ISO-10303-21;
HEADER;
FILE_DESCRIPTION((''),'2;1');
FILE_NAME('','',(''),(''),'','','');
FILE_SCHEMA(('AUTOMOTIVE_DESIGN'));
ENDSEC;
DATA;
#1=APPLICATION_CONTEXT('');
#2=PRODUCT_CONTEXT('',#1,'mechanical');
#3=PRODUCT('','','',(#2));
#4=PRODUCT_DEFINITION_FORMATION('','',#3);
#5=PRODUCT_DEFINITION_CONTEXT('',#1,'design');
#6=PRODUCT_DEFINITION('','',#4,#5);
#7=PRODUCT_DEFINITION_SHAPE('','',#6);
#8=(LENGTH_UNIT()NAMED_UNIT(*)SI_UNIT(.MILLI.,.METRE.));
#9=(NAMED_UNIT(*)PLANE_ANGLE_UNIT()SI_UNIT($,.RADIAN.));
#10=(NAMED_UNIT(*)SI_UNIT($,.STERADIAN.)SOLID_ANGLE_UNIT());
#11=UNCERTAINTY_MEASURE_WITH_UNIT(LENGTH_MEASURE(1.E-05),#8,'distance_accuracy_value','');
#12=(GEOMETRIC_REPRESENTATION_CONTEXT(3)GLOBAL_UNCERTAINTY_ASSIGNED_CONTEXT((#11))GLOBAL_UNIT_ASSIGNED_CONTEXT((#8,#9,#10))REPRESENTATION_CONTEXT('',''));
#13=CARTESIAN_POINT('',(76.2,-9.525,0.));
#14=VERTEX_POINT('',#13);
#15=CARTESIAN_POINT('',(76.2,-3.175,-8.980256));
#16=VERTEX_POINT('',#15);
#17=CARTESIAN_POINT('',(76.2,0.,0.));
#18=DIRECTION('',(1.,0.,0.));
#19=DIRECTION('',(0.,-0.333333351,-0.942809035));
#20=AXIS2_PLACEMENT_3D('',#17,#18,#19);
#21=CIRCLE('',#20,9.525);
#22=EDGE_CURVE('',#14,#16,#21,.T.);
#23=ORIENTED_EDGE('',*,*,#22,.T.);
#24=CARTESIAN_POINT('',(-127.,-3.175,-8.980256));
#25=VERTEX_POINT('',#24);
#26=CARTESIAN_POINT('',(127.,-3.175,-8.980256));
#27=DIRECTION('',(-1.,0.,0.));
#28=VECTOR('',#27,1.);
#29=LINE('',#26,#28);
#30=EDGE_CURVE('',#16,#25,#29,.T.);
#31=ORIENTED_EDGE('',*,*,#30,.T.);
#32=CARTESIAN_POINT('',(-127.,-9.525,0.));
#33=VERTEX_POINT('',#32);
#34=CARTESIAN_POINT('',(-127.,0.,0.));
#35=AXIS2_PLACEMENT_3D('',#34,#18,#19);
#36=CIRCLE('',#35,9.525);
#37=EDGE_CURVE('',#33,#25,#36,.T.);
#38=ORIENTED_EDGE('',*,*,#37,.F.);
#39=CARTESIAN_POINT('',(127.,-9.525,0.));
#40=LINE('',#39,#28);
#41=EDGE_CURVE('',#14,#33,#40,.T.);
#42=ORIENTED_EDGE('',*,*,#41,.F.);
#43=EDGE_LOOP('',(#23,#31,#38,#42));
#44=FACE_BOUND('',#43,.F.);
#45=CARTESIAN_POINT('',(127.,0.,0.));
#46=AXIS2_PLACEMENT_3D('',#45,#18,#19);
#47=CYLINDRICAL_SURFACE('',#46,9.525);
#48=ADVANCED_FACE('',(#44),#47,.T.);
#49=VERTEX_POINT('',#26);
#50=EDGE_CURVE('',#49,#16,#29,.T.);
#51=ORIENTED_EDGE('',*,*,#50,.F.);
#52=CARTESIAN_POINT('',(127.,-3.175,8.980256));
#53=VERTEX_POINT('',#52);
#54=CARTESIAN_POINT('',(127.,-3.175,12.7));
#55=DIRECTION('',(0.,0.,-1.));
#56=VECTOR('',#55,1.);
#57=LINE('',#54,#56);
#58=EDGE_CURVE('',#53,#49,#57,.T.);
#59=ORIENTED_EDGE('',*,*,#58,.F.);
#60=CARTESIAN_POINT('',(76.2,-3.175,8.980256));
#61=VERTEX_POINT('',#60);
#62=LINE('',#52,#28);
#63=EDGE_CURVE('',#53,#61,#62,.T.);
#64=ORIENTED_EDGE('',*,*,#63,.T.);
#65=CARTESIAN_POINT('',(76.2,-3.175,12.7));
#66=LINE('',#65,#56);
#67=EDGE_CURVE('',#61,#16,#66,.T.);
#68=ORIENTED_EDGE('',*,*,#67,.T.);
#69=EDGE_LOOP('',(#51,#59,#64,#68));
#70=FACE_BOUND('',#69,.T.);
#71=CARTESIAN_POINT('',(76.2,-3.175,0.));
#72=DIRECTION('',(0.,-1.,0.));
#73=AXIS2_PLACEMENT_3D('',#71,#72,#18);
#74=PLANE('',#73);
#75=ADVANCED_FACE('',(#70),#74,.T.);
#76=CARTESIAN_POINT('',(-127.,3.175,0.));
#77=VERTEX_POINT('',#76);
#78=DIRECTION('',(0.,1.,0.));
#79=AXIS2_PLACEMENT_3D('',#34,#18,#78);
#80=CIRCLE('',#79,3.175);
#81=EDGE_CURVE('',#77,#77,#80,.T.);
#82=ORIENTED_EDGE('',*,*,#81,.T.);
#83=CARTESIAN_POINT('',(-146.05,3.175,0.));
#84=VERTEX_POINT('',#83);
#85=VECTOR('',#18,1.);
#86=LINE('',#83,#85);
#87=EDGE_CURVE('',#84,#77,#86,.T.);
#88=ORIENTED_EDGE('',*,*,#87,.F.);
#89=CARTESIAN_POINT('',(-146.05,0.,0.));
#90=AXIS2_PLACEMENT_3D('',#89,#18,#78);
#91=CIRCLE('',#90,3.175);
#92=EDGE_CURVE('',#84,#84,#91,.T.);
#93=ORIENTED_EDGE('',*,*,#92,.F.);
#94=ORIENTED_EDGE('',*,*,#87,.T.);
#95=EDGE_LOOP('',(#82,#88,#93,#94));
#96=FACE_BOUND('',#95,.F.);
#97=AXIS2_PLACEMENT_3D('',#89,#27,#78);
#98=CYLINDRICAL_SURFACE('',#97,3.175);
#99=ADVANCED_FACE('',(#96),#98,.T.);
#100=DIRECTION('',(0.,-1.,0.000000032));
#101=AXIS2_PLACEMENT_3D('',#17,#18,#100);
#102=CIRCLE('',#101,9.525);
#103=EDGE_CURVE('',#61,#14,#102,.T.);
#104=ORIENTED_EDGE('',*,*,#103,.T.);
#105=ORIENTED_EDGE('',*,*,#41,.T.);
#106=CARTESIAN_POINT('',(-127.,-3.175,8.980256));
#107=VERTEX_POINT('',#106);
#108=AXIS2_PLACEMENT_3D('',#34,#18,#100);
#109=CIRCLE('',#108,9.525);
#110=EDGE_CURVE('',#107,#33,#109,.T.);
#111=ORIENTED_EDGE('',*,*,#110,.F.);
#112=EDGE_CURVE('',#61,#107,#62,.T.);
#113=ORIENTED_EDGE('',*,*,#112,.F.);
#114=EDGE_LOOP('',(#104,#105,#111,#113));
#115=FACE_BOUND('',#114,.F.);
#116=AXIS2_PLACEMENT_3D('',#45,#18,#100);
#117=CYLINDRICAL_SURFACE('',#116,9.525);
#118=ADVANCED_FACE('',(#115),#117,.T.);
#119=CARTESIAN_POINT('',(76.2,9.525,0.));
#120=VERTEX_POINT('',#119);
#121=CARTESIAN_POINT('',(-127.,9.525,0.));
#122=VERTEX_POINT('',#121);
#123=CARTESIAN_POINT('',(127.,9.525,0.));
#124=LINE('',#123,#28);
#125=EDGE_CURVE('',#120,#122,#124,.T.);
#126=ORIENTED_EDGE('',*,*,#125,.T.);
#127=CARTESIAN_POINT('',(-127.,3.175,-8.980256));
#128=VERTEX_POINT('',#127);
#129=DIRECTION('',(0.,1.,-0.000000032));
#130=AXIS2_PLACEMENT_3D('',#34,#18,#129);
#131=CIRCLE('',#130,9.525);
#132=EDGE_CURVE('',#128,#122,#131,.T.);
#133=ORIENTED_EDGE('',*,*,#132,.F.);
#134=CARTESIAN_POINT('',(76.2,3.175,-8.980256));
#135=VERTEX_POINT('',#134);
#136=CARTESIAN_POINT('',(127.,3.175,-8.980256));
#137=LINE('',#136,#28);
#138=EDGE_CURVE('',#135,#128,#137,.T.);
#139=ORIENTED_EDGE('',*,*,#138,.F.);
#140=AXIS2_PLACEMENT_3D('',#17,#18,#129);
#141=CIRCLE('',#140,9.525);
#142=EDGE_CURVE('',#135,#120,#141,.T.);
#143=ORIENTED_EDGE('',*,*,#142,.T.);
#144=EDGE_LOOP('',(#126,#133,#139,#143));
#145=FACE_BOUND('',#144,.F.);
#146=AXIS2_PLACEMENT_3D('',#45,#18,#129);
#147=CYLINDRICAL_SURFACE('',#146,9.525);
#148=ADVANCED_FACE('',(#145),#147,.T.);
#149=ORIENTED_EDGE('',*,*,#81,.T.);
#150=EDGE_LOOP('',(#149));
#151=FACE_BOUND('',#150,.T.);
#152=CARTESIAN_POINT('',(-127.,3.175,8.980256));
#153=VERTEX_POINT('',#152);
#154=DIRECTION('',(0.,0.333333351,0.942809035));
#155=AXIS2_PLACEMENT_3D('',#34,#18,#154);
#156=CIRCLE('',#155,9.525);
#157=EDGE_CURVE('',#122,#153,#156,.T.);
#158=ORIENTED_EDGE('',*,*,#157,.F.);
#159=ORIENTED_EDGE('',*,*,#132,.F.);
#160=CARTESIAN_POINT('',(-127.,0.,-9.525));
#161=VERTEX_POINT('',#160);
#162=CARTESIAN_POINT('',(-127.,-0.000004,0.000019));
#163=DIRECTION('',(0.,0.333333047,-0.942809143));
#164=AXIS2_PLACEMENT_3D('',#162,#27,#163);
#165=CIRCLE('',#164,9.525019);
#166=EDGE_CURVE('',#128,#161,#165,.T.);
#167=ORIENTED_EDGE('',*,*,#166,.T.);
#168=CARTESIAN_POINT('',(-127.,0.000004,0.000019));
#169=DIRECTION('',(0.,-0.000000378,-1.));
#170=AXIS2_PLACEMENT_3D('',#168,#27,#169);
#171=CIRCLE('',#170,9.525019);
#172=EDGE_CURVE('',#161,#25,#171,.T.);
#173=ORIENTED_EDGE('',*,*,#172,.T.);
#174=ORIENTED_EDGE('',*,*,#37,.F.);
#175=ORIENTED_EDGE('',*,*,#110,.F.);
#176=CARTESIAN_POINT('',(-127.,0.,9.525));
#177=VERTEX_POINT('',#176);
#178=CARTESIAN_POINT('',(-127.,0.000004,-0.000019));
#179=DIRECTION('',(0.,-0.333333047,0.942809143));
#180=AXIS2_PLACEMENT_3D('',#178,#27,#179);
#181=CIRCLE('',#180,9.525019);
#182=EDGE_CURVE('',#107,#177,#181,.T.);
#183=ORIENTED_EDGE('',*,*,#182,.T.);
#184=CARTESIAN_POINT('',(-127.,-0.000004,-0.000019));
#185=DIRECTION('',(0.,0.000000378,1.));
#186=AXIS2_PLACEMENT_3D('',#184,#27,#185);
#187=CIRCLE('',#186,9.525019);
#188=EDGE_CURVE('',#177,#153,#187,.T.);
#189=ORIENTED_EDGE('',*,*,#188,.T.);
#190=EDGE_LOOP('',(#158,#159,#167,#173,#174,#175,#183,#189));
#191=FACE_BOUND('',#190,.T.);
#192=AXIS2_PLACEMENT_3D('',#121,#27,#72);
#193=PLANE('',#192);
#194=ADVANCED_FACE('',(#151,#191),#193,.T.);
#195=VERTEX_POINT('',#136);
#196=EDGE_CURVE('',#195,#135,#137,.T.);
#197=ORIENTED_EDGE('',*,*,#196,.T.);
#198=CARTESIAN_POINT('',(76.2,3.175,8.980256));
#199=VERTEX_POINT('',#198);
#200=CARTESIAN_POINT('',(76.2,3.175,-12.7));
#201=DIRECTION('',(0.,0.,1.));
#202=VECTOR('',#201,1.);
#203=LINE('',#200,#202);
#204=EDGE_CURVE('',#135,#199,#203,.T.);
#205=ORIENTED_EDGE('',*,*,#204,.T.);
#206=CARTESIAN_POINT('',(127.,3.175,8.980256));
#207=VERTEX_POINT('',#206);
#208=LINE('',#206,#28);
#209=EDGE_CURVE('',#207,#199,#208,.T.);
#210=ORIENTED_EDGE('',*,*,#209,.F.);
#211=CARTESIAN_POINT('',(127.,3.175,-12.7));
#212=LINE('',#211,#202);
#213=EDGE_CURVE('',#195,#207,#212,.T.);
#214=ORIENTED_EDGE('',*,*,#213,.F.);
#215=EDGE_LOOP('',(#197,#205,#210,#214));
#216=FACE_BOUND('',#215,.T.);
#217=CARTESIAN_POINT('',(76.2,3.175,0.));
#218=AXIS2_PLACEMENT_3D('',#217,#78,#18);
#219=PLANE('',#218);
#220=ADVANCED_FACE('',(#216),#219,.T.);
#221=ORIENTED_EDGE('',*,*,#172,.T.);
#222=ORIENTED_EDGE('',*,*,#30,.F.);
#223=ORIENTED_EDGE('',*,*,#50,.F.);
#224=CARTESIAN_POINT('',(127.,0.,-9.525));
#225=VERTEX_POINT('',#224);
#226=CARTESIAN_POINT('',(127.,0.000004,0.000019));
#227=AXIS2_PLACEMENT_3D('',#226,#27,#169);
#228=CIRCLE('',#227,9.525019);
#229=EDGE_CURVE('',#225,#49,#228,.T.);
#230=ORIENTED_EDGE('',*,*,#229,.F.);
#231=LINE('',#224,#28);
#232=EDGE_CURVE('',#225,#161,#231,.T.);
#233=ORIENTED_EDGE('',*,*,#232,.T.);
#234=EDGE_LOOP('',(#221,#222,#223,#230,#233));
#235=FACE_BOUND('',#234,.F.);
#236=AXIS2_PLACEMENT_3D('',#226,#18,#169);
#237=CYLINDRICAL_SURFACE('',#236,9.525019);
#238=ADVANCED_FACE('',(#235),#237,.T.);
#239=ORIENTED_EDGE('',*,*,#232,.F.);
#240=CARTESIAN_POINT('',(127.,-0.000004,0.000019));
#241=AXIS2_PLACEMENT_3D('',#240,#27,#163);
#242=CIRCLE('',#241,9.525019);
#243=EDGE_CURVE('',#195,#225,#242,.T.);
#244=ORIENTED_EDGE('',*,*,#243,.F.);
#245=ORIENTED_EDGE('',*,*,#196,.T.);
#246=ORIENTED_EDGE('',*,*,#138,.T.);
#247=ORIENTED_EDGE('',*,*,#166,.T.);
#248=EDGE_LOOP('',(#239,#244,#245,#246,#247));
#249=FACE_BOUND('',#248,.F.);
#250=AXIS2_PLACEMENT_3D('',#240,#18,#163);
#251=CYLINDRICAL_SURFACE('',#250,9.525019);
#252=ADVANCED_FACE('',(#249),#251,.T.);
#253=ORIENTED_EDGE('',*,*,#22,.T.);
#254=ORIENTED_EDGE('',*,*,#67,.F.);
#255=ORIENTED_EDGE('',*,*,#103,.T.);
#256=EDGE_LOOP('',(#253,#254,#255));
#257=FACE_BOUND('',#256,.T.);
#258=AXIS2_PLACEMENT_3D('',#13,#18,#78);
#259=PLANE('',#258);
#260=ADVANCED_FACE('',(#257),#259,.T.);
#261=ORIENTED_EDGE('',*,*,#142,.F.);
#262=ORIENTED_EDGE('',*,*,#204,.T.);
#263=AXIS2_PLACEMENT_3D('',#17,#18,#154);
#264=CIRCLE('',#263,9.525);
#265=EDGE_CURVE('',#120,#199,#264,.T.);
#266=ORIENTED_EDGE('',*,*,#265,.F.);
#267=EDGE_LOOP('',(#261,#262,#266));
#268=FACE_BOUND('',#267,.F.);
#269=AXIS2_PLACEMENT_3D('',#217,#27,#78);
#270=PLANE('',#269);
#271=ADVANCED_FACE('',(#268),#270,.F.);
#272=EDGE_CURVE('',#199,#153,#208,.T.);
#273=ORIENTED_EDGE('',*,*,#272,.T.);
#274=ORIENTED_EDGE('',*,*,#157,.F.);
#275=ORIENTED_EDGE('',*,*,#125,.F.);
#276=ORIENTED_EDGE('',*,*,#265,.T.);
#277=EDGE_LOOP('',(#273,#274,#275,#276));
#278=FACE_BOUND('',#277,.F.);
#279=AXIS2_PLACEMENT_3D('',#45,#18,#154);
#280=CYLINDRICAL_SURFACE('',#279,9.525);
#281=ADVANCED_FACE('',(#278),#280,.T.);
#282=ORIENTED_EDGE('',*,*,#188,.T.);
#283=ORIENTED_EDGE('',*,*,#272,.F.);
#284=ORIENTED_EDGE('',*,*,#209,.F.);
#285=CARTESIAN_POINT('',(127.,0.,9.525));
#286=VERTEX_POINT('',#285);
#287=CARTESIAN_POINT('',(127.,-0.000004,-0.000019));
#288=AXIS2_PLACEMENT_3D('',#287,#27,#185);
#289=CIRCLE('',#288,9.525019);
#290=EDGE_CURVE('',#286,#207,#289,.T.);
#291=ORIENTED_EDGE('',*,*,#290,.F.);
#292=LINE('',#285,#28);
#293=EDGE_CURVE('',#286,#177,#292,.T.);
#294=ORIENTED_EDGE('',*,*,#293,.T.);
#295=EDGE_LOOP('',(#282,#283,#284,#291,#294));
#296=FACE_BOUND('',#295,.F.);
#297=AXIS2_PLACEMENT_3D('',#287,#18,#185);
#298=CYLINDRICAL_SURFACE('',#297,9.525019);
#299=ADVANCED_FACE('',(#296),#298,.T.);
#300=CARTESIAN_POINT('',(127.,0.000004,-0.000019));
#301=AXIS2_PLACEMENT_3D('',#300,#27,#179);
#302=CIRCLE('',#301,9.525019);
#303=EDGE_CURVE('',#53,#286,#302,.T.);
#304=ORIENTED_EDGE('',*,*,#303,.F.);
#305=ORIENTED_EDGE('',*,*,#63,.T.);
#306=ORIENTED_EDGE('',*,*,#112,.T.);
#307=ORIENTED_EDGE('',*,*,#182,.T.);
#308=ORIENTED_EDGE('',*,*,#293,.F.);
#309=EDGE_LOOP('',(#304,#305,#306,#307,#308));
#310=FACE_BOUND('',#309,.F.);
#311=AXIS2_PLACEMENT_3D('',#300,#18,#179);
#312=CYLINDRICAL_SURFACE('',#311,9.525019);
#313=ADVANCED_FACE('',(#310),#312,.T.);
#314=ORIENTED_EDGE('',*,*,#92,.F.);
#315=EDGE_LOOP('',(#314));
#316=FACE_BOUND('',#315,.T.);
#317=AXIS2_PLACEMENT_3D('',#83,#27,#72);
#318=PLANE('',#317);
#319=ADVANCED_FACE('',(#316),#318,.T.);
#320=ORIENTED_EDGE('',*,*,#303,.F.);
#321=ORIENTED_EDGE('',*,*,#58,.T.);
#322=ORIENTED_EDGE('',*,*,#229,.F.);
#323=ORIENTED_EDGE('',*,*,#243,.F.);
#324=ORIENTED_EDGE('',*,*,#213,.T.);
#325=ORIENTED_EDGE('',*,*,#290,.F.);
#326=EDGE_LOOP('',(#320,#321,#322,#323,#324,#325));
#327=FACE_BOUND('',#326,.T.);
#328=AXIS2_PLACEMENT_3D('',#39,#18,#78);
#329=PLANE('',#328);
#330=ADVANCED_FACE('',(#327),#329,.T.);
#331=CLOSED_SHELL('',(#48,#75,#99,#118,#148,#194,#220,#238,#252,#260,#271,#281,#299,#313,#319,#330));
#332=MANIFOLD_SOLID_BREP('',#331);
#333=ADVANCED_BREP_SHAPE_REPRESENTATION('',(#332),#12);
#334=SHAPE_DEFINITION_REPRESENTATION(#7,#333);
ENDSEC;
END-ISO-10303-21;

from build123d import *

# Parameters (mm, degrees)
F0_W     = 19.05
F0_H     = 3.175
F1_DEPTH = 9.525
F2_W     = 50.8
F2_H     = 6.35
F3_DEPTH = 12.7
F5_DEPTH = 273.051
F7_DEPTH = 19.05
F8_DEPTH = 19.05


with BuildPart() as f1:
    # F0 (on Top) → F1 (new body, symmetric)
    with BuildSketch(Plane.XY):
        Polygon((-127, 0), (127, 0), (127, 9.525), (-127, 9.525), (-127, 3.175), align=None)
        Polygon((-127, -3.175), (-127, -9.525), (127, -9.525), (127, 0), (-127, 0), align=None)
        with Locations((-136.525, 1.5875)):
            Rectangle(F0_W, F0_H)
        with Locations((-136.525, -1.5875)):
            Rectangle(F0_W, F0_H)
    extrude(amount=F1_DEPTH, both=True)

    # F2 (on Top) → F3 (cut, symmetric)
    with BuildSketch(Plane.XY):
        with Locations((101.6, 6.35)):
            Rectangle(F2_W, F2_H)
        with Locations((101.6, -6.35)):
            Rectangle(F2_W, F2_H)
    extrude(amount=F3_DEPTH, both=True, mode=Mode.SUBTRACT)

    # F4 (on face) → F5 (cut, through all)
    with BuildSketch(Plane.YZ.offset(127)):
        with BuildLine():
            ThreePointArc((-9.525, 0), (-7.77713, 5.499261), (-3.175, 8.980256))
            Line((-3.175, 8.980256), (-3.175, 9.525))
            Line((-3.175, 9.525), (-9.525, 9.525))
            Line((-9.525, 9.525), (-9.525, 0))
        make_face()
        with BuildLine():
            Line((-3.175, -9.525), (-3.175, -8.980256))
            ThreePointArc((-3.175, -8.980256), (-7.77713, -5.499261), (-9.525, 0))
            Line((-9.525, 0), (-9.525, -9.525))
            Line((-9.525, -9.525), (-3.175, -9.525))
        make_face()
        with BuildLine():
            Line((9.525, -9.525), (9.525, 0))
            ThreePointArc((9.525, 0), (7.77713, -5.499261), (3.175, -8.980256))
            Line((3.175, -8.980256), (3.175, -9.525))
            Line((3.175, -9.525), (9.525, -9.525))
        make_face()
        with BuildLine():
            ThreePointArc((3.175, 8.980256), (7.77713, 5.499261), (9.525, 0))
            Line((9.525, 0), (9.525, 9.525))
            Line((9.525, 9.525), (3.175, 9.525))
            Line((3.175, 9.525), (3.175, 8.980256))
        make_face()
        with BuildLine():
            ThreePointArc((0, 9.525), (1.610696, 9.387826), (3.175, 8.980256))
            Line((3.175, 8.980256), (3.175, 9.525))
            Line((3.175, 9.525), (0, 9.525))
        make_face()
        with BuildLine():
            ThreePointArc((-3.175, 8.980256), (-1.610696, 9.387826), (0, 9.525))
            Line((0, 9.525), (-3.175, 9.525))
            Line((-3.175, 9.525), (-3.175, 8.980256))
        make_face()
        with BuildLine():
            Line((-3.175, -9.525), (0, -9.525))
            ThreePointArc((0, -9.525), (-1.610696, -9.387826), (-3.175, -8.980256))
            Line((-3.175, -8.980256), (-3.175, -9.525))
        make_face()
        with BuildLine():
            Line((3.175, -9.525), (3.175, -8.980256))
            ThreePointArc((3.175, -8.980256), (1.610696, -9.387826), (0, -9.525))
            Line((0, -9.525), (3.175, -9.525))
        make_face()
    extrude(amount=-F5_DEPTH, mode=Mode.SUBTRACT)

    # F6 (on face) → F7 (cut)
    with BuildSketch(Plane(origin=(-146.05, 0, 0), x_dir=(0, -1, 0), z_dir=(-1, 0, 0))):
        with BuildLine():
            ThreePointArc((-3.175, 0), (0, 3.175), (3.175, 0))
            Line((3.175, 0), (3.175, 8.980256))
            ThreePointArc((3.175, 8.980256), (1.610696, 9.387826), (0, 9.525))
            ThreePointArc((0, 9.525), (-1.610696, 9.387826), (-3.175, 8.980256))
            Line((-3.175, 8.980256), (-3.175, 0))
        make_face()
    extrude(amount=-F7_DEPTH, mode=Mode.SUBTRACT)

    # F6 (on face) → F8 (cut)
    with BuildSketch(Plane(origin=(-146.05, 0, 0), x_dir=(0, -1, 0), z_dir=(-1, 0, 0))):
        with BuildLine():
            Line((3.175, -8.980256), (3.175, 0))
            ThreePointArc((3.175, 0), (0, -3.175), (-3.175, 0))
            Line((-3.175, 0), (-3.175, -8.980256))
            ThreePointArc((-3.175, -8.980256), (-1.610696, -9.387826), (0, -9.525))
            ThreePointArc((0, -9.525), (1.610696, -9.387826), (3.175, -8.980256))
        make_face()
    extrude(amount=-F8_DEPTH, mode=Mode.SUBTRACT)


solid = f1.part
